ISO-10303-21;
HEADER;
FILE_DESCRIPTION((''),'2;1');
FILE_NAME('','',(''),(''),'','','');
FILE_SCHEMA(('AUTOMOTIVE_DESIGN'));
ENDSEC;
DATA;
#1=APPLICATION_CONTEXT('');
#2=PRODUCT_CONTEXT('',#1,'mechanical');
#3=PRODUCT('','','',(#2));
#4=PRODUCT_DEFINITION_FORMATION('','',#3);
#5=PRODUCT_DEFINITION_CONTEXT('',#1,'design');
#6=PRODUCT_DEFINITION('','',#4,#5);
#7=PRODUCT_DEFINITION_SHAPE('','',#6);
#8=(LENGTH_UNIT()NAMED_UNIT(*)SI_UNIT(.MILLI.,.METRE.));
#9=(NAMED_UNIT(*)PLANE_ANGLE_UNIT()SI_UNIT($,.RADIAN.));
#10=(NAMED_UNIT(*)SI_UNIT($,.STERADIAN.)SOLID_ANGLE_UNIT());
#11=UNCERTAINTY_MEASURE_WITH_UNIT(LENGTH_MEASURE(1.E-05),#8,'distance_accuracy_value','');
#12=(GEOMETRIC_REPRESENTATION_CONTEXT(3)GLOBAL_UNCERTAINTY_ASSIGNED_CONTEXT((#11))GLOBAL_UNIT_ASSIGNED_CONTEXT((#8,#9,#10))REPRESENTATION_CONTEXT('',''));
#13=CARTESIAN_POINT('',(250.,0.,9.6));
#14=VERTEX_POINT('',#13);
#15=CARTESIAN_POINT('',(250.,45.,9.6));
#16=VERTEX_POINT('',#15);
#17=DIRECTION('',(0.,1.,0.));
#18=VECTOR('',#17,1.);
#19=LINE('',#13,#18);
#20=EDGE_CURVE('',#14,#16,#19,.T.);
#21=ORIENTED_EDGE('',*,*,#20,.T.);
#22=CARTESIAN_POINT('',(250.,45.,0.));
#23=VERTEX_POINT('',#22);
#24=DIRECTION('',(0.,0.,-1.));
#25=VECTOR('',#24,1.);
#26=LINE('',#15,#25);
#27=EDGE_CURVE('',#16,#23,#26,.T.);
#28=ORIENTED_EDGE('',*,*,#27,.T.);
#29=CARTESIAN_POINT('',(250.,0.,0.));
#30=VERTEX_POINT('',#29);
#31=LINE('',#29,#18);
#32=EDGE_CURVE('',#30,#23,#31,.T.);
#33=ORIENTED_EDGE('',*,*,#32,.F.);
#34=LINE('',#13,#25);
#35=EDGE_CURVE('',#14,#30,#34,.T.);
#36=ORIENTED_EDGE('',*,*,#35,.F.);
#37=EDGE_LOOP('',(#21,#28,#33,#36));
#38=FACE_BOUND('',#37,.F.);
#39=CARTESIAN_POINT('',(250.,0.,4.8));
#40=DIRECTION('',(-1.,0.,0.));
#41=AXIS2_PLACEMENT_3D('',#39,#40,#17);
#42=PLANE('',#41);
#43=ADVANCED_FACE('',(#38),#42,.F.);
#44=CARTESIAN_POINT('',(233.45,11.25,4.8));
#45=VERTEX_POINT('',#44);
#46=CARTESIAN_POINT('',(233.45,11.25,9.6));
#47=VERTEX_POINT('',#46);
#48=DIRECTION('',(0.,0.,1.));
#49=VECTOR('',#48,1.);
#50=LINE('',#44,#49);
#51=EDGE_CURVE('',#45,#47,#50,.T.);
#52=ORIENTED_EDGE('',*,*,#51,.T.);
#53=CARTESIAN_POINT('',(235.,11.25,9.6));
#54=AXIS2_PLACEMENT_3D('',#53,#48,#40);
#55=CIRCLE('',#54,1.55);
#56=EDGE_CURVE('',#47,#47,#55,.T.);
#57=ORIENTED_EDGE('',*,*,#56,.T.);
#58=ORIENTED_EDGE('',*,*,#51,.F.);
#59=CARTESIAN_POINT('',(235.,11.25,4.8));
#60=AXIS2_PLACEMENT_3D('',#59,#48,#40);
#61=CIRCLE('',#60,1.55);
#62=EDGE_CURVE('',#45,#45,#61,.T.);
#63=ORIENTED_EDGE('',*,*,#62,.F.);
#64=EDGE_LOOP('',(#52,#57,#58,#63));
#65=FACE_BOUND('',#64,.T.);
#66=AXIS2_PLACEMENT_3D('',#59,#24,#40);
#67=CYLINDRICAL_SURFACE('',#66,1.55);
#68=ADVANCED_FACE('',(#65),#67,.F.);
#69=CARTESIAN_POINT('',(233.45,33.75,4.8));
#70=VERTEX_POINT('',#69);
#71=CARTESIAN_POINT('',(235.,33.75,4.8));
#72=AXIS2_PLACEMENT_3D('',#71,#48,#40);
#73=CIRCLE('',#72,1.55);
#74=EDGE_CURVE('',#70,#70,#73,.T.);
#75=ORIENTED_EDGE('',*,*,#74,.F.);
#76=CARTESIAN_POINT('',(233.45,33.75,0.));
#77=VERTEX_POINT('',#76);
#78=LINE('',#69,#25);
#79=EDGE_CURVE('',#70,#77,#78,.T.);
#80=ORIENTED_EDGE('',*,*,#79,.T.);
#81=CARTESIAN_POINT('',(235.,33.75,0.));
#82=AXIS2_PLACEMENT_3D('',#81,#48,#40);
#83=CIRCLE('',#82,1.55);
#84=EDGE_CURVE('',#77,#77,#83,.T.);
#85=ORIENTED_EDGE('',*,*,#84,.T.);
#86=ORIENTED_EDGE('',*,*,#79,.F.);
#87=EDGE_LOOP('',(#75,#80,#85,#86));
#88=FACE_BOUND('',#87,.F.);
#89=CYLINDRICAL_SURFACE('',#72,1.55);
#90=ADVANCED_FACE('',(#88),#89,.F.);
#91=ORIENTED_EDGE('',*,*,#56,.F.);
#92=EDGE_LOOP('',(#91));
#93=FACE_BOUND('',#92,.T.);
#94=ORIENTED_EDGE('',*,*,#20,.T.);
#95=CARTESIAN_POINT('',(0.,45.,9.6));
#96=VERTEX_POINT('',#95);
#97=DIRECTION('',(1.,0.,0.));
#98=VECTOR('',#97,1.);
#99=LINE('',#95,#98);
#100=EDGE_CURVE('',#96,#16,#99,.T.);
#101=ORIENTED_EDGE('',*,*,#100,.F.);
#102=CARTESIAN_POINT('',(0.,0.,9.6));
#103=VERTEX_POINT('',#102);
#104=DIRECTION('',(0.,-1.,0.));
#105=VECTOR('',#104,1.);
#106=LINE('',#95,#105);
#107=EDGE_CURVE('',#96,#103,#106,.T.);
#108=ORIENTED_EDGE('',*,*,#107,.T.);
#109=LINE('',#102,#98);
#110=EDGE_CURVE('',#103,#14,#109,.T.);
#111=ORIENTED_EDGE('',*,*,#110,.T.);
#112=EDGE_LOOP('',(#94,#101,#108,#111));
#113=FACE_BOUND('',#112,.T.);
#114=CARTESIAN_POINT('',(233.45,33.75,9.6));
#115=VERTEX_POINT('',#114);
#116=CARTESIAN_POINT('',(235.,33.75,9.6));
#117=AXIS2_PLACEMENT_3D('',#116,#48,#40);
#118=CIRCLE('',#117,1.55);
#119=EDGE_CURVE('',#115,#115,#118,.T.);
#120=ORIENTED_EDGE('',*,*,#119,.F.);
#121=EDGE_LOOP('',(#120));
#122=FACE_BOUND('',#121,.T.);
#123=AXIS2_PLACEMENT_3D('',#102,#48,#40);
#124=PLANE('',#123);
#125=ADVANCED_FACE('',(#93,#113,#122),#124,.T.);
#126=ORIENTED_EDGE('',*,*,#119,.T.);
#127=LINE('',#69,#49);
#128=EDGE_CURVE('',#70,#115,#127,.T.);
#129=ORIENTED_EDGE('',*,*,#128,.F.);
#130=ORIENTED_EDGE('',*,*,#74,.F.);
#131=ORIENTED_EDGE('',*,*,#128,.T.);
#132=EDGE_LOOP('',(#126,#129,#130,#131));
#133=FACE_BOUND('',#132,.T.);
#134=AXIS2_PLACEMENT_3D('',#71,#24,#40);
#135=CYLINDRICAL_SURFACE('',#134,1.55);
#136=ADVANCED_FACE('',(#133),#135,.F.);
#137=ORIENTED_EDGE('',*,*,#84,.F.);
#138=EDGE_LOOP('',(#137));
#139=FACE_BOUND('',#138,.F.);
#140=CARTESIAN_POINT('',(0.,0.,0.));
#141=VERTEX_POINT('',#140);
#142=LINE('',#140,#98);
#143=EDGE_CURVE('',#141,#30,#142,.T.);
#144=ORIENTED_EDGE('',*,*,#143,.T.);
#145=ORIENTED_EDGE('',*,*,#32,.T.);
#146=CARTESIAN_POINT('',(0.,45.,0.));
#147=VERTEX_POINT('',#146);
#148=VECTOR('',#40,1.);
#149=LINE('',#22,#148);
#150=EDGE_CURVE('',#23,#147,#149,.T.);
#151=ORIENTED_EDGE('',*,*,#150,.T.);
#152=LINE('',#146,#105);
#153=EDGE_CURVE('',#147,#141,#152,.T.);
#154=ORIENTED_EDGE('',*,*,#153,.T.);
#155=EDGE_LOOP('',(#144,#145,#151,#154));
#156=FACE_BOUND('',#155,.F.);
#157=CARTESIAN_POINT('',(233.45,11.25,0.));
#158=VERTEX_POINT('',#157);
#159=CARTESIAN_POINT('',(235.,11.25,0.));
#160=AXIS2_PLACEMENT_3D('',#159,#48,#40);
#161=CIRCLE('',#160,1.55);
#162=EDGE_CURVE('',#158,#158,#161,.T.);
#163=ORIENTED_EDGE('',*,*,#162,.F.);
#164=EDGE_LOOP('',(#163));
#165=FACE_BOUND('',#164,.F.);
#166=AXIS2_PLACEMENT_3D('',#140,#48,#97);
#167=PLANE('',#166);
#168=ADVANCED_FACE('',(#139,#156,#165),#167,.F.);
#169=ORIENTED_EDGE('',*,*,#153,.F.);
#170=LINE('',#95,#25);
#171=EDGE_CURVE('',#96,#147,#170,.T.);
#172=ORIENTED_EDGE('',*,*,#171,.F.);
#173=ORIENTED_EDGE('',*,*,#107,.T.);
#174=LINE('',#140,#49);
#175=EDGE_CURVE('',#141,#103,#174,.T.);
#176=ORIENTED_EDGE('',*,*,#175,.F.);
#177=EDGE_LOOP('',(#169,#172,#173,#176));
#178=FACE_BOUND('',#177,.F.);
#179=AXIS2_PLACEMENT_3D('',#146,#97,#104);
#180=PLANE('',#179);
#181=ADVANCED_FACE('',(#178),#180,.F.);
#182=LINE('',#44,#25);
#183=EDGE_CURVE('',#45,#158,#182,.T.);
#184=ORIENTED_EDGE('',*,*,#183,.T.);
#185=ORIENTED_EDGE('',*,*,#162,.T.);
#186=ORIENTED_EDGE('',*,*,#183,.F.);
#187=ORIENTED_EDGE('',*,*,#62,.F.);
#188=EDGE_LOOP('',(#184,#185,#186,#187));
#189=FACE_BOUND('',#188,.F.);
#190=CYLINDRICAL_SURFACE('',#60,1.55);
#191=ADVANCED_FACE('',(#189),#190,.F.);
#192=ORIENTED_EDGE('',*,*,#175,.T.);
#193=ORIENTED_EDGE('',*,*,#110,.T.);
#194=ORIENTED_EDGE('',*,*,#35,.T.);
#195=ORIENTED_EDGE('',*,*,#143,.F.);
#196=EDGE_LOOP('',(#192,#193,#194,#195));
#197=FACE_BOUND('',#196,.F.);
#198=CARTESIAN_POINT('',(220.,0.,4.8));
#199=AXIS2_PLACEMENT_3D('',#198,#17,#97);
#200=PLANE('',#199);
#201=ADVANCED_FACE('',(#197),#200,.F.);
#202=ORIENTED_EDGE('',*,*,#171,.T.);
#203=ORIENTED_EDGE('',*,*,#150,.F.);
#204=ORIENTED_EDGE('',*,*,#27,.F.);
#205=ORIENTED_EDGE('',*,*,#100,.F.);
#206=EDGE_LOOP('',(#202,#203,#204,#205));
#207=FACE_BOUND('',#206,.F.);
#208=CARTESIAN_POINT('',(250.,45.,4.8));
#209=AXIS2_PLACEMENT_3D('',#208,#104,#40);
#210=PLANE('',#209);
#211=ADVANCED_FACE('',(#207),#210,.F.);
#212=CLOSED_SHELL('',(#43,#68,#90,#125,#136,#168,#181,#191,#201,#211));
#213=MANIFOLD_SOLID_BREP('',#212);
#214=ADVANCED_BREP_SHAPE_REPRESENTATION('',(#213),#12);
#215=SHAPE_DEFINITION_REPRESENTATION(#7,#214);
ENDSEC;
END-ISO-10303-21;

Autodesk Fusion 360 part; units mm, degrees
sketch "Sketch1" plane through (0, 0, 0) normal (0, 0, 1) x (1, 0, 0)
  line L0 (0, 0) -> (250, 0)
  line L1 (250, 0) -> (250, 45)
  line L2 (250, 45) -> (0, 45)
  line L3 (0, 45) -> (0, 0)
  dimension "d1" = 250
  dimension "d2" = 45
extrude "Extrude1" add sketch "Sketch1" along normal blind 9.5
extrude "Extrude2" add 1 faces at (83.3333, 30, 9.5) along direction (0, 0, 1) blind 0.1
sketch "Sketch2" plane through (0, 0, 9.6) normal (0, 0, 1) x (-1, 0, 0)
  line L0 (0, -45) -> (0, 0)
  line L1 (0, 0) -> (-250, 0)
  line L2 (-250, 0) -> (-250, -45)
  line L3 (-250, -45) -> (0, -45)
  line L4 (-250, -45) -> (-220, -45)
  line L5 (-220, -45) -> (-220, 0)
  line L6 (-220, 0) -> (-250, 0)
  line L7 (-250, 0) -> (-250, -45)
  dimension "d7" = 30
extrude "Extrude3" cut sketch "Sketch2" against normal blind 4.8 contours L1 L2 L3 L4 L5 L6 L7
sketch "Sketch3" plane through (0, 0, 4.8) normal (0, 0, 1) x (-1, 0, 0)
  line L0 (-250, 0) -> (-250, -45)
  line L1 (-250, -45) -> (-220, -45)
  line L2 (-220, -45) -> (-220, 0)
  line L3 (-220, 0) -> (-250, 0)
  circle A0 centre (-235, -33.75) radius 1.55
  circle A1 centre (-235, -11.25) radius 1.55
  dimension "d10" = 3.1
  dimension "d11" = 3.1
extrude "Extrude4" cut sketch "Sketch3" against normal blind 23 contours A0 | A1
extrude "Extrude5" add 1 faces at (245.4655, 18.9742, 4.8) along direction (0, 0, 1) blind 4.8
equation "d8 = ( -9.6 / 2 ) * 1 mm"
equation "d14 = ( 9.6 / 2 ) * 1 mm"
